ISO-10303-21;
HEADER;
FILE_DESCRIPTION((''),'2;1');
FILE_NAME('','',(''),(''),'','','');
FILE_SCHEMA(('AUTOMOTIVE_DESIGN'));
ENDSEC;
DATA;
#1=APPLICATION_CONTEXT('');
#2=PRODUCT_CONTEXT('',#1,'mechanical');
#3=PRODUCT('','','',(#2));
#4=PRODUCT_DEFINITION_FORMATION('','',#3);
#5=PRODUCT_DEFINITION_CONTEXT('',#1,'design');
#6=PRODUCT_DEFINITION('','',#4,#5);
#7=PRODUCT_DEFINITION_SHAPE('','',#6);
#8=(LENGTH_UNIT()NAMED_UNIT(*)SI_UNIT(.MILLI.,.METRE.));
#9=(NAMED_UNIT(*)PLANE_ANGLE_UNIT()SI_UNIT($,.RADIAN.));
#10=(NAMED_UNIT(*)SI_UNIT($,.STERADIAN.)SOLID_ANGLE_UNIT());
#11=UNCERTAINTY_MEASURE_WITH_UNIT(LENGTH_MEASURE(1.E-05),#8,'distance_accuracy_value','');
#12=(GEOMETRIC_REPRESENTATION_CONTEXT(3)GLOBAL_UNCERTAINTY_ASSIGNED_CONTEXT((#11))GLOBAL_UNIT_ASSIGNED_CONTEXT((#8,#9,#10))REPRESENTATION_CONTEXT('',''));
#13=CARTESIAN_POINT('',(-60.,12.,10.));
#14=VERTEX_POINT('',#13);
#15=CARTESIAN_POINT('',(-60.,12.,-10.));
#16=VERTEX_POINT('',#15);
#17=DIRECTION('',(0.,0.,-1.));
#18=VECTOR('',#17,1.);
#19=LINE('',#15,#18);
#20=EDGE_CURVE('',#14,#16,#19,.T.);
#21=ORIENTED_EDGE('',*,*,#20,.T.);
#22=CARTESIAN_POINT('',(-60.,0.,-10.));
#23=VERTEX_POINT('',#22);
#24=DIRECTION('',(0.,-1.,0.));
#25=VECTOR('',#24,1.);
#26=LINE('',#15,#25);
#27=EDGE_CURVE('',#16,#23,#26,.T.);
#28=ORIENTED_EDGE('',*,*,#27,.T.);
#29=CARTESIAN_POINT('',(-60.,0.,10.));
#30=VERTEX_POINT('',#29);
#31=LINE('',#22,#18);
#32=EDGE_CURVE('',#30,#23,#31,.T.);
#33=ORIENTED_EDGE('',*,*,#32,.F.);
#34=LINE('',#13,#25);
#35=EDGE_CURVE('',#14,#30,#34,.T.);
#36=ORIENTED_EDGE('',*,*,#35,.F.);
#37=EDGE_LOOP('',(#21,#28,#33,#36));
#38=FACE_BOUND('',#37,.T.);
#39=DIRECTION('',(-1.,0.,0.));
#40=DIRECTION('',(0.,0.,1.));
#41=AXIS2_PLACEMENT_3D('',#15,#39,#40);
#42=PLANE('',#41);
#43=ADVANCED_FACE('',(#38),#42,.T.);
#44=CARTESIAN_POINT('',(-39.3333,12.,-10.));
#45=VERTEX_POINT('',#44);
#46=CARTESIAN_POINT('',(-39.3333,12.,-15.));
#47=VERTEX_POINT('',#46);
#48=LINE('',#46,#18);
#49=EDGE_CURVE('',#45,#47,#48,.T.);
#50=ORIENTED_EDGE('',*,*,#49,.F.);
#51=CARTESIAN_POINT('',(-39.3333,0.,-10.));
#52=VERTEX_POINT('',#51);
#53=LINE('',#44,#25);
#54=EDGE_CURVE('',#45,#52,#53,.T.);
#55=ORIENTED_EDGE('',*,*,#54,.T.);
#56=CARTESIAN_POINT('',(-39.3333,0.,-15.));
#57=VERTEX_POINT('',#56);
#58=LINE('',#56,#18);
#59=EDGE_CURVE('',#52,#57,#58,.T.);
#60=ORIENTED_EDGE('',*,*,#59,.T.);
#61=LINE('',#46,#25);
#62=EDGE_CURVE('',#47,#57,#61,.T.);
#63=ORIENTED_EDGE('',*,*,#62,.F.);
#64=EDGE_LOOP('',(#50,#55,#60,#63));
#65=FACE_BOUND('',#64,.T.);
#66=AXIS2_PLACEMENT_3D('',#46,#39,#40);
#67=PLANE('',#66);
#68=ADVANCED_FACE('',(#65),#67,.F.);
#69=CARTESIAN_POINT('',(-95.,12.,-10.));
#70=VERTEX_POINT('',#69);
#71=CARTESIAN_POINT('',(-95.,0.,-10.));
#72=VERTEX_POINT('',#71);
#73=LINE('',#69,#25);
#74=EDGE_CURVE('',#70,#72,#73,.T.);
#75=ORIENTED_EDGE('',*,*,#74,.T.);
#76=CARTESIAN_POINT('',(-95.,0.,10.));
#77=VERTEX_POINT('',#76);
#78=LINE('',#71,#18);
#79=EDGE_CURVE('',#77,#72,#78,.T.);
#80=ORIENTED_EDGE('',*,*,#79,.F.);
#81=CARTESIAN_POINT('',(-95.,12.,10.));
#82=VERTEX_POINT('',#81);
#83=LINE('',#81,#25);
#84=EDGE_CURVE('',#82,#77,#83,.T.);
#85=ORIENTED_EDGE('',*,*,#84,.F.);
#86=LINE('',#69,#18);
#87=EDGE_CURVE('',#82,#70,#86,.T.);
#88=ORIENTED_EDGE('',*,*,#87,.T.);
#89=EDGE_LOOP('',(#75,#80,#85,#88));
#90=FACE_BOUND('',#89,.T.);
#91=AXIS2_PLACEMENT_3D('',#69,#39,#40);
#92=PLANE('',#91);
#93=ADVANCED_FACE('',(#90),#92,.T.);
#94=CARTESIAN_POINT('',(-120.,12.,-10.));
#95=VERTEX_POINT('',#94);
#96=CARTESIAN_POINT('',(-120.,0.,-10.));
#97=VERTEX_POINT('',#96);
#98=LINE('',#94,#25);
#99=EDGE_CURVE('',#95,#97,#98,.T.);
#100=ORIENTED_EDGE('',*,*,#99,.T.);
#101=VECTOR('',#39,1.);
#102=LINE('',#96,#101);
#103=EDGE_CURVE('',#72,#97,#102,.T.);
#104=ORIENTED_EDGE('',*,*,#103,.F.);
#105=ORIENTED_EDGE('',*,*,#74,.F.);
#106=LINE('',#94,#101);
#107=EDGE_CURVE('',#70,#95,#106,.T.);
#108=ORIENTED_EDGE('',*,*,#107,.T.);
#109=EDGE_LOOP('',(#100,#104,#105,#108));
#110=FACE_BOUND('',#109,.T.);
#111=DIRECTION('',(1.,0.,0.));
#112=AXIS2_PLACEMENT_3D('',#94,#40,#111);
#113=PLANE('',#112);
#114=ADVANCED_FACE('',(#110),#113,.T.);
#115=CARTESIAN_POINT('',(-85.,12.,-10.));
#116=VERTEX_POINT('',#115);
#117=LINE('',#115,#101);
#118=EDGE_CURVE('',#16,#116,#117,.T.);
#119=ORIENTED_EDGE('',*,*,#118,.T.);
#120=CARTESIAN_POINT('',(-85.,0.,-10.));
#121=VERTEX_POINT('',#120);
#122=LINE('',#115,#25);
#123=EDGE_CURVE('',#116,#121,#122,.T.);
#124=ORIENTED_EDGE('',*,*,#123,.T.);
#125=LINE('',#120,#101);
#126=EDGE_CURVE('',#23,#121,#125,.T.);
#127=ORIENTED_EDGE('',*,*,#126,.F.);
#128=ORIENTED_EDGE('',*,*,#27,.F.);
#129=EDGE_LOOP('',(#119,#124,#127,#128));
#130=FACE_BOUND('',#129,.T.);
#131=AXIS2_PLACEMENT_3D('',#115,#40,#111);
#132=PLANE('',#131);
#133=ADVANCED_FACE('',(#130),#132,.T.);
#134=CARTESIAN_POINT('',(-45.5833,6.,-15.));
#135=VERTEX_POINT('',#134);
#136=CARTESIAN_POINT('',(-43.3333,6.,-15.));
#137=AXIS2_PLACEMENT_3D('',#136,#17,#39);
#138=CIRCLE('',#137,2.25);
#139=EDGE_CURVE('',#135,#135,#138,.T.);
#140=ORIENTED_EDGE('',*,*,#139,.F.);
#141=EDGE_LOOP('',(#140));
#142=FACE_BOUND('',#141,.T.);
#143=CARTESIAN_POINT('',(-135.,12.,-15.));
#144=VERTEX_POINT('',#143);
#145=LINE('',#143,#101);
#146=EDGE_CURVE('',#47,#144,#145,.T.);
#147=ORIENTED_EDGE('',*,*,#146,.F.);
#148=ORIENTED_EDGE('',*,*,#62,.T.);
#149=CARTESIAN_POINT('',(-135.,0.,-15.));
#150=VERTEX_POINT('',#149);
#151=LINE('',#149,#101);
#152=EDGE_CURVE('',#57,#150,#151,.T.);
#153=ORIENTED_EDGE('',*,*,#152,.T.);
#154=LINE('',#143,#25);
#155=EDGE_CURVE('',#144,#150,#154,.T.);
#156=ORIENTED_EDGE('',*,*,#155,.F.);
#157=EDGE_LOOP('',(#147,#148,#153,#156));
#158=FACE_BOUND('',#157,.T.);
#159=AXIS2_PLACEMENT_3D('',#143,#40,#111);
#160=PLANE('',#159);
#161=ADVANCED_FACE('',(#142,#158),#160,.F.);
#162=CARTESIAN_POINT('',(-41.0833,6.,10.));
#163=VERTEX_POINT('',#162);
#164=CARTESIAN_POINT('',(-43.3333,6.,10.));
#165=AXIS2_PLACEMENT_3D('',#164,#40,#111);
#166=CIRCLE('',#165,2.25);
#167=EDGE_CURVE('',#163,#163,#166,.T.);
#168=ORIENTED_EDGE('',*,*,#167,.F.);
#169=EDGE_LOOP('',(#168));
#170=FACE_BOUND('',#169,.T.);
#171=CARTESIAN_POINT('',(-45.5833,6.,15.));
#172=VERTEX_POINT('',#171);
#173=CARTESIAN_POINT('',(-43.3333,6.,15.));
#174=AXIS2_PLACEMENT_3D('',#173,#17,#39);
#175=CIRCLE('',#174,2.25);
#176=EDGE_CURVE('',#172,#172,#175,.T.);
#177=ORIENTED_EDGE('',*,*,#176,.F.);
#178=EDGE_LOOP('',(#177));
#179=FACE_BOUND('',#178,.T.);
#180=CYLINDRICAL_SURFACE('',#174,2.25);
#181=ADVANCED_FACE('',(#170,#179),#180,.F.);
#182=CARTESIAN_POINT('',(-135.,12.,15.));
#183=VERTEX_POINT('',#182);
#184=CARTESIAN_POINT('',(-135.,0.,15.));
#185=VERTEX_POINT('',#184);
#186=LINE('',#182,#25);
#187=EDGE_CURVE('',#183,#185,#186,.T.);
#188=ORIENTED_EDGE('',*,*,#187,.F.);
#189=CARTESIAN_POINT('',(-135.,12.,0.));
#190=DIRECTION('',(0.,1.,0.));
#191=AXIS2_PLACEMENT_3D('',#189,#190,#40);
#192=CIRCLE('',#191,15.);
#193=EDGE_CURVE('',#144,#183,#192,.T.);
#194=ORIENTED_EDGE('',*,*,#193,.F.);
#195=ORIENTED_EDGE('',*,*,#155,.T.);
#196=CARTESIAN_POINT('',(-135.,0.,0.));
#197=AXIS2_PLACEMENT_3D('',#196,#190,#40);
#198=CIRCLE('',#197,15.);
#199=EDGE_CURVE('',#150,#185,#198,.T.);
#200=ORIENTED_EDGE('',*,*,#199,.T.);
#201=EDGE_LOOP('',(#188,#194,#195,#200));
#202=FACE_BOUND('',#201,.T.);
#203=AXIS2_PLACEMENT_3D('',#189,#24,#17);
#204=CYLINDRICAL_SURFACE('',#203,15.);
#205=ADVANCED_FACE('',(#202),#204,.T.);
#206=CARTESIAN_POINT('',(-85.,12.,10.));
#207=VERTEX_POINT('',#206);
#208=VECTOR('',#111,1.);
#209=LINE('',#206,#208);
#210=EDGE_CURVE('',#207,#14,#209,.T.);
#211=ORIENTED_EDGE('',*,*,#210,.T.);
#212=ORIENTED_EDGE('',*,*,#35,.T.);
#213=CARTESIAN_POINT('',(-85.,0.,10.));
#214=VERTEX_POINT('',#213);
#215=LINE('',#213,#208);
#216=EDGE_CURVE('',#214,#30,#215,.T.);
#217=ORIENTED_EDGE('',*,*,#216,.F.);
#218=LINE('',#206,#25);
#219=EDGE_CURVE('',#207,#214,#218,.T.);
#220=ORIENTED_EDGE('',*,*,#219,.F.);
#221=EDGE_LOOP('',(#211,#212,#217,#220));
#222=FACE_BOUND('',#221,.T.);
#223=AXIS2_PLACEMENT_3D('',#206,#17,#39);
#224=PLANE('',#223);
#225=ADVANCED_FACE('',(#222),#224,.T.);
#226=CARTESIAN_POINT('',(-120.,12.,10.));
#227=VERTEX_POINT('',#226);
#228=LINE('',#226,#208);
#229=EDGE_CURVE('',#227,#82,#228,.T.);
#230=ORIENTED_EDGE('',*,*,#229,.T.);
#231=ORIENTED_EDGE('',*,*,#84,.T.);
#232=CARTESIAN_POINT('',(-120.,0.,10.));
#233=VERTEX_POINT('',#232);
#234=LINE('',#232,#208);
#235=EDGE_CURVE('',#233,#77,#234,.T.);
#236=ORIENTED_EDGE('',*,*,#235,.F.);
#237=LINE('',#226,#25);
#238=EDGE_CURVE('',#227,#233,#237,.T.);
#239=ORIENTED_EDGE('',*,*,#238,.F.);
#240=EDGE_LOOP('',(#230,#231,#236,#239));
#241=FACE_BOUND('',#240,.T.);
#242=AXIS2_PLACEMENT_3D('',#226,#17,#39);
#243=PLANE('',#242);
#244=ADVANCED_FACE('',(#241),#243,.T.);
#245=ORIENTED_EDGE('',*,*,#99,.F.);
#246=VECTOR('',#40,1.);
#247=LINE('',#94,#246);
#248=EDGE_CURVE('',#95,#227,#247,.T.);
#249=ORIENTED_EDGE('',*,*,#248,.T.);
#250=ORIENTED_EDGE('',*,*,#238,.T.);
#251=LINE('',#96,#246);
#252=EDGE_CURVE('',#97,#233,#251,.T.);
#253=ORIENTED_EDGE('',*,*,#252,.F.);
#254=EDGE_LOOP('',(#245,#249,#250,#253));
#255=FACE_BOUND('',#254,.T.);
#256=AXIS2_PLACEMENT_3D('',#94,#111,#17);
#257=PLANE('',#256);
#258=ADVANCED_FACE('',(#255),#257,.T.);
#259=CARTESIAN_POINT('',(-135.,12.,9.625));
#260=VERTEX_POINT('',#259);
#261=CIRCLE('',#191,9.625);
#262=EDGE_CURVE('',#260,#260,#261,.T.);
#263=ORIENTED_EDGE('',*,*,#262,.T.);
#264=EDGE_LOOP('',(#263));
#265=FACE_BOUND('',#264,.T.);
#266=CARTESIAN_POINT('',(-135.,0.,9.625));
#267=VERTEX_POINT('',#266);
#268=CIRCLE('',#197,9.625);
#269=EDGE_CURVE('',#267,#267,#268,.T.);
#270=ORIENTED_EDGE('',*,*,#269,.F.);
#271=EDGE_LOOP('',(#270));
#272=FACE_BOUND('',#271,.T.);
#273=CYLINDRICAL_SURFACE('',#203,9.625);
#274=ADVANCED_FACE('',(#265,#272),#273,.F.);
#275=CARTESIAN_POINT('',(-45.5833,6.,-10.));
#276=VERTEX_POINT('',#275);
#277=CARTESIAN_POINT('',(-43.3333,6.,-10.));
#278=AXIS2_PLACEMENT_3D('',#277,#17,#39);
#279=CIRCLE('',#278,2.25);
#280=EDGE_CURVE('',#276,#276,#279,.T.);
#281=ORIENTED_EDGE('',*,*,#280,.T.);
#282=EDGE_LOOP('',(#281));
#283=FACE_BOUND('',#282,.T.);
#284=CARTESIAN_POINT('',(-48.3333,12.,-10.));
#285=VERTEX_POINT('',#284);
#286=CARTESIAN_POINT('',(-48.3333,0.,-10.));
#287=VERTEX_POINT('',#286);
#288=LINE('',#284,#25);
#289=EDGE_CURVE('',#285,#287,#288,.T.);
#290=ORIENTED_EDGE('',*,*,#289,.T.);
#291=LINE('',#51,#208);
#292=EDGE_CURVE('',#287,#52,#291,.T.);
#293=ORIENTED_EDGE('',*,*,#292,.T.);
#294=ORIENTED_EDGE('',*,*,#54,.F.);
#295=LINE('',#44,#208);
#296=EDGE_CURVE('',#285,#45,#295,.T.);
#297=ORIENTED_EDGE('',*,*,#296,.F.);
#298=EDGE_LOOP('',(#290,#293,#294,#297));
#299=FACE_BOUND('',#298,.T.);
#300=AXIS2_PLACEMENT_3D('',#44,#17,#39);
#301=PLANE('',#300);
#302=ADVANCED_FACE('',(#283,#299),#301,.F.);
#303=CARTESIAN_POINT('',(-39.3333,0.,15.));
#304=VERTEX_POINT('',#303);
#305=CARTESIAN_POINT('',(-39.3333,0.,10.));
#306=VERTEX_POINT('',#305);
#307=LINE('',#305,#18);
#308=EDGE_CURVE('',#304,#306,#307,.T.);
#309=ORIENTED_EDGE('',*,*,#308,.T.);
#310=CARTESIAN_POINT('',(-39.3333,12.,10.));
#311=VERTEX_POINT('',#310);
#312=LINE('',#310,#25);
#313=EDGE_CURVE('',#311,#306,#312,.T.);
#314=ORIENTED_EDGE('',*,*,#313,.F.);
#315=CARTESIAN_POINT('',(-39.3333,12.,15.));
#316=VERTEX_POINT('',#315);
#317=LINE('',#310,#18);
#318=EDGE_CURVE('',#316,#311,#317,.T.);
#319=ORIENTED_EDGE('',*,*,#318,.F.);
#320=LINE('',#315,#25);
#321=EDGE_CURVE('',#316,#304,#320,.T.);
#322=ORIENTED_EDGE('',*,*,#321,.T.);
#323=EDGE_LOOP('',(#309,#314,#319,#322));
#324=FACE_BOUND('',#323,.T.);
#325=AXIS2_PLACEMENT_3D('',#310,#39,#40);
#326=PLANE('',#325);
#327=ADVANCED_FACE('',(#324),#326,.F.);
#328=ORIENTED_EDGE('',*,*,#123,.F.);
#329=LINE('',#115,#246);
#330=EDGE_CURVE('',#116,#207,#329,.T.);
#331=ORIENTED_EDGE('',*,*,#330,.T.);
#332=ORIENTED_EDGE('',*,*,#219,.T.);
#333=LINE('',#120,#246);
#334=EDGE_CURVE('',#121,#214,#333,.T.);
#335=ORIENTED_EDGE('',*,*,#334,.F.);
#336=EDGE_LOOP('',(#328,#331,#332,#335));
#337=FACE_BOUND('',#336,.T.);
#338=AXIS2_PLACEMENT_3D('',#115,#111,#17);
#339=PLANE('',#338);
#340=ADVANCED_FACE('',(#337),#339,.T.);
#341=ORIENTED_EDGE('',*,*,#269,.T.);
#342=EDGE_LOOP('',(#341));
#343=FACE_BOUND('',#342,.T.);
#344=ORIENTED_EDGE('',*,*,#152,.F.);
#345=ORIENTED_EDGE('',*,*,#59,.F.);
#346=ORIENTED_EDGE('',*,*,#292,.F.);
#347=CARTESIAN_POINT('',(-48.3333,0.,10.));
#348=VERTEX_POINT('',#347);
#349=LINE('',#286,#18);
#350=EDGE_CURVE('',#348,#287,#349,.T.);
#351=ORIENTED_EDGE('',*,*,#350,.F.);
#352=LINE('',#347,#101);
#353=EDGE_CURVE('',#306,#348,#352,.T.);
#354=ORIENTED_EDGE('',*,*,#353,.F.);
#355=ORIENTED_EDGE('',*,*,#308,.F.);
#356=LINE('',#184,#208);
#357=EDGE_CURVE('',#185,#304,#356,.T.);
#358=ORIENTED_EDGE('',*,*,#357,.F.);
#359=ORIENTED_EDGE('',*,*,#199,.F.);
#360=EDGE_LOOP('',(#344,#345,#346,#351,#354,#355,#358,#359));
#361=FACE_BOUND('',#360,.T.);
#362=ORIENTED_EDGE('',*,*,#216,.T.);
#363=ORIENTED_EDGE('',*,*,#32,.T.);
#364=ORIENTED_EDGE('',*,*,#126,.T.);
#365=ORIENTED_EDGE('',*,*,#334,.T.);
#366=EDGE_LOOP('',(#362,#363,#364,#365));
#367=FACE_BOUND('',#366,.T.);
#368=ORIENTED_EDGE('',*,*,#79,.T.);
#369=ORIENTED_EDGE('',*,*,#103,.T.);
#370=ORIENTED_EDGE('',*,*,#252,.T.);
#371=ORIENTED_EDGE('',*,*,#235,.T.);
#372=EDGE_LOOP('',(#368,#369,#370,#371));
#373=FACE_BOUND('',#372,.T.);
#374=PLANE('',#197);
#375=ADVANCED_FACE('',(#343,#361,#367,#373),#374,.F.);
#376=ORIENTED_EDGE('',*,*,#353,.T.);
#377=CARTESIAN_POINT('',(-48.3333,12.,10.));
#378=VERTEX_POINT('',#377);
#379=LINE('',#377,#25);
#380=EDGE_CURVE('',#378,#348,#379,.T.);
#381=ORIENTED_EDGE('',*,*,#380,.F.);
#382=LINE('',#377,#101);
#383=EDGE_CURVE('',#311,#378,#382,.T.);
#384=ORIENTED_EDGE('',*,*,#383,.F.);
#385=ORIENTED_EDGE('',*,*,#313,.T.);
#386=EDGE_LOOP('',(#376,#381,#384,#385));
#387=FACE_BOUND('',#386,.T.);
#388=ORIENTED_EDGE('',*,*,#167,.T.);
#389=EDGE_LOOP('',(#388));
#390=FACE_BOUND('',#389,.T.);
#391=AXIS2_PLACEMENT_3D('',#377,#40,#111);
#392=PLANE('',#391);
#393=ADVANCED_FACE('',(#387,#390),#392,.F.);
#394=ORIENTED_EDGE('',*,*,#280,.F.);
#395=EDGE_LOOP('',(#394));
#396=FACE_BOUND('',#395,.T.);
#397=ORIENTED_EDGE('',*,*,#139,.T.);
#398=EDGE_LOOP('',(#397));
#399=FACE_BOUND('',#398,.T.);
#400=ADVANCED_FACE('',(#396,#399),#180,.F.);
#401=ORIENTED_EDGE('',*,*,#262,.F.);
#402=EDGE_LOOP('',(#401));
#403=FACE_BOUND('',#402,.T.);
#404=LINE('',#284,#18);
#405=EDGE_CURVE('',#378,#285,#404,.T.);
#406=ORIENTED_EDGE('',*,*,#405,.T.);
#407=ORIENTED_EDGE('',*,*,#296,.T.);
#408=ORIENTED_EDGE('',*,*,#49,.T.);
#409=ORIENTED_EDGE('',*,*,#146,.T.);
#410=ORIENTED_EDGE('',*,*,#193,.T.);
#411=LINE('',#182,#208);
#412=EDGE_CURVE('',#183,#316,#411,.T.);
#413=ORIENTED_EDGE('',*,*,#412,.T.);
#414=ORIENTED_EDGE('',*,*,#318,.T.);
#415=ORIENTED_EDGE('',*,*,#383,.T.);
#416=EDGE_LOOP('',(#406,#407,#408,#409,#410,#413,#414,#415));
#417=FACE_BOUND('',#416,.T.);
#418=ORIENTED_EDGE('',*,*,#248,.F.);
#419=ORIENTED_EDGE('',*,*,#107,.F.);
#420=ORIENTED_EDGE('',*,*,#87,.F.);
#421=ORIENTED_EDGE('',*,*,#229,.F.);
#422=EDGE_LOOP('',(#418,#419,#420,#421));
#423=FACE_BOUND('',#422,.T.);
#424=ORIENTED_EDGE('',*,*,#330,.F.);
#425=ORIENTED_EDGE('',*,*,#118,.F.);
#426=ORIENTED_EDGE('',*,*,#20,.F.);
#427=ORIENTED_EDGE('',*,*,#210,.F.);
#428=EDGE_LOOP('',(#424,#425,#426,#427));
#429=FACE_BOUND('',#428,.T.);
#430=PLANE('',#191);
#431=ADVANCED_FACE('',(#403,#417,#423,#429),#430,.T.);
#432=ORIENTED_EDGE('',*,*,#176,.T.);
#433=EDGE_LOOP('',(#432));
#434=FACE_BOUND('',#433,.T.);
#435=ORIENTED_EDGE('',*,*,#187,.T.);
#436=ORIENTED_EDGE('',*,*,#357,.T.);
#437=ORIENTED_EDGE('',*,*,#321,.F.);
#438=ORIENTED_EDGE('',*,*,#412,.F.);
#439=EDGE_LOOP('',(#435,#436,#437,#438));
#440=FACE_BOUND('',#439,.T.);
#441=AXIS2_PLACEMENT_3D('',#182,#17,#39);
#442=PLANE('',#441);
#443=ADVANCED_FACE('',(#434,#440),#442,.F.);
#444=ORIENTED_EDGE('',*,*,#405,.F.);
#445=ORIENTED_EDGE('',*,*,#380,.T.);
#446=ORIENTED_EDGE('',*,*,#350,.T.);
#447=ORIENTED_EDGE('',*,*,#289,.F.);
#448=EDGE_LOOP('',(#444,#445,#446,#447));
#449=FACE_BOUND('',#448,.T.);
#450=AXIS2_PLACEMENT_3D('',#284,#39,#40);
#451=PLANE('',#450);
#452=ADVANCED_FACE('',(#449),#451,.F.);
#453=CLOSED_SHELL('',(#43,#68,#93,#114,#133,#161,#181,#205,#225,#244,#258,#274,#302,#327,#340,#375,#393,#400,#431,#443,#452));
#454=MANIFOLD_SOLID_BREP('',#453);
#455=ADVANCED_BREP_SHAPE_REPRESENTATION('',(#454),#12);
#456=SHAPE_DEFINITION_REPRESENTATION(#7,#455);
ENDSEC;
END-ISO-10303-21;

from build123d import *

# Parameters (mm, degrees)
SKETCH1_R           = 9.625
SKETCH1_W           = 25
SKETCH1_H           = 20
BOSS_EXTRUDE1_DEPTH = 12
SKETCH2_R           = 2.25
CUT_EXTRUDE1_DEPTH  = 154.440542231


with BuildPart() as part:
    # Sketch1 → Boss-Extrude1 (new body)
    with BuildSketch(Plane(origin=(0, 0, 0), x_dir=(1, 0, 0), z_dir=(0, 1, 0))):
        with BuildLine():
            Line((-135, 15), (-39.3333, 15))
            Line((-39.3333, 15), (-39.3333, 10))
            Line((-39.3333, 10), (-48.3333, 10))
            Line((-48.3333, 10), (-48.3333, -10))
            Line((-48.3333, -10), (-39.3333, -10))
            Line((-39.3333, -10), (-39.3333, -15))
            Line((-39.3333, -15), (-135, -15))
            ThreePointArc((-135, -15), (-150, 0), (-135, 15))
        make_face()
        with Locations(Location((-135, 0, 0), (0, 0, 270))):
            Circle(SKETCH1_R, mode=Mode.SUBTRACT)
        with Locations((-107.5, 0)):
            Rectangle(SKETCH1_W, SKETCH1_H, mode=Mode.SUBTRACT)
        with Locations((-72.5, 0)):
            Rectangle(SKETCH1_W, SKETCH1_H, mode=Mode.SUBTRACT)
    extrude(amount=BOSS_EXTRUDE1_DEPTH)

    # Sketch2 → Cut-Extrude1 (cut, through all)
    with BuildSketch(Plane(origin=(0, 0, -15), x_dir=(-1, 0, 0), z_dir=(0, 0, -1))):
        with Locations((43.3333, 6)):
            Circle(SKETCH2_R)
    extrude(amount=-CUT_EXTRUDE1_DEPTH, mode=Mode.SUBTRACT)


solid = part.part
